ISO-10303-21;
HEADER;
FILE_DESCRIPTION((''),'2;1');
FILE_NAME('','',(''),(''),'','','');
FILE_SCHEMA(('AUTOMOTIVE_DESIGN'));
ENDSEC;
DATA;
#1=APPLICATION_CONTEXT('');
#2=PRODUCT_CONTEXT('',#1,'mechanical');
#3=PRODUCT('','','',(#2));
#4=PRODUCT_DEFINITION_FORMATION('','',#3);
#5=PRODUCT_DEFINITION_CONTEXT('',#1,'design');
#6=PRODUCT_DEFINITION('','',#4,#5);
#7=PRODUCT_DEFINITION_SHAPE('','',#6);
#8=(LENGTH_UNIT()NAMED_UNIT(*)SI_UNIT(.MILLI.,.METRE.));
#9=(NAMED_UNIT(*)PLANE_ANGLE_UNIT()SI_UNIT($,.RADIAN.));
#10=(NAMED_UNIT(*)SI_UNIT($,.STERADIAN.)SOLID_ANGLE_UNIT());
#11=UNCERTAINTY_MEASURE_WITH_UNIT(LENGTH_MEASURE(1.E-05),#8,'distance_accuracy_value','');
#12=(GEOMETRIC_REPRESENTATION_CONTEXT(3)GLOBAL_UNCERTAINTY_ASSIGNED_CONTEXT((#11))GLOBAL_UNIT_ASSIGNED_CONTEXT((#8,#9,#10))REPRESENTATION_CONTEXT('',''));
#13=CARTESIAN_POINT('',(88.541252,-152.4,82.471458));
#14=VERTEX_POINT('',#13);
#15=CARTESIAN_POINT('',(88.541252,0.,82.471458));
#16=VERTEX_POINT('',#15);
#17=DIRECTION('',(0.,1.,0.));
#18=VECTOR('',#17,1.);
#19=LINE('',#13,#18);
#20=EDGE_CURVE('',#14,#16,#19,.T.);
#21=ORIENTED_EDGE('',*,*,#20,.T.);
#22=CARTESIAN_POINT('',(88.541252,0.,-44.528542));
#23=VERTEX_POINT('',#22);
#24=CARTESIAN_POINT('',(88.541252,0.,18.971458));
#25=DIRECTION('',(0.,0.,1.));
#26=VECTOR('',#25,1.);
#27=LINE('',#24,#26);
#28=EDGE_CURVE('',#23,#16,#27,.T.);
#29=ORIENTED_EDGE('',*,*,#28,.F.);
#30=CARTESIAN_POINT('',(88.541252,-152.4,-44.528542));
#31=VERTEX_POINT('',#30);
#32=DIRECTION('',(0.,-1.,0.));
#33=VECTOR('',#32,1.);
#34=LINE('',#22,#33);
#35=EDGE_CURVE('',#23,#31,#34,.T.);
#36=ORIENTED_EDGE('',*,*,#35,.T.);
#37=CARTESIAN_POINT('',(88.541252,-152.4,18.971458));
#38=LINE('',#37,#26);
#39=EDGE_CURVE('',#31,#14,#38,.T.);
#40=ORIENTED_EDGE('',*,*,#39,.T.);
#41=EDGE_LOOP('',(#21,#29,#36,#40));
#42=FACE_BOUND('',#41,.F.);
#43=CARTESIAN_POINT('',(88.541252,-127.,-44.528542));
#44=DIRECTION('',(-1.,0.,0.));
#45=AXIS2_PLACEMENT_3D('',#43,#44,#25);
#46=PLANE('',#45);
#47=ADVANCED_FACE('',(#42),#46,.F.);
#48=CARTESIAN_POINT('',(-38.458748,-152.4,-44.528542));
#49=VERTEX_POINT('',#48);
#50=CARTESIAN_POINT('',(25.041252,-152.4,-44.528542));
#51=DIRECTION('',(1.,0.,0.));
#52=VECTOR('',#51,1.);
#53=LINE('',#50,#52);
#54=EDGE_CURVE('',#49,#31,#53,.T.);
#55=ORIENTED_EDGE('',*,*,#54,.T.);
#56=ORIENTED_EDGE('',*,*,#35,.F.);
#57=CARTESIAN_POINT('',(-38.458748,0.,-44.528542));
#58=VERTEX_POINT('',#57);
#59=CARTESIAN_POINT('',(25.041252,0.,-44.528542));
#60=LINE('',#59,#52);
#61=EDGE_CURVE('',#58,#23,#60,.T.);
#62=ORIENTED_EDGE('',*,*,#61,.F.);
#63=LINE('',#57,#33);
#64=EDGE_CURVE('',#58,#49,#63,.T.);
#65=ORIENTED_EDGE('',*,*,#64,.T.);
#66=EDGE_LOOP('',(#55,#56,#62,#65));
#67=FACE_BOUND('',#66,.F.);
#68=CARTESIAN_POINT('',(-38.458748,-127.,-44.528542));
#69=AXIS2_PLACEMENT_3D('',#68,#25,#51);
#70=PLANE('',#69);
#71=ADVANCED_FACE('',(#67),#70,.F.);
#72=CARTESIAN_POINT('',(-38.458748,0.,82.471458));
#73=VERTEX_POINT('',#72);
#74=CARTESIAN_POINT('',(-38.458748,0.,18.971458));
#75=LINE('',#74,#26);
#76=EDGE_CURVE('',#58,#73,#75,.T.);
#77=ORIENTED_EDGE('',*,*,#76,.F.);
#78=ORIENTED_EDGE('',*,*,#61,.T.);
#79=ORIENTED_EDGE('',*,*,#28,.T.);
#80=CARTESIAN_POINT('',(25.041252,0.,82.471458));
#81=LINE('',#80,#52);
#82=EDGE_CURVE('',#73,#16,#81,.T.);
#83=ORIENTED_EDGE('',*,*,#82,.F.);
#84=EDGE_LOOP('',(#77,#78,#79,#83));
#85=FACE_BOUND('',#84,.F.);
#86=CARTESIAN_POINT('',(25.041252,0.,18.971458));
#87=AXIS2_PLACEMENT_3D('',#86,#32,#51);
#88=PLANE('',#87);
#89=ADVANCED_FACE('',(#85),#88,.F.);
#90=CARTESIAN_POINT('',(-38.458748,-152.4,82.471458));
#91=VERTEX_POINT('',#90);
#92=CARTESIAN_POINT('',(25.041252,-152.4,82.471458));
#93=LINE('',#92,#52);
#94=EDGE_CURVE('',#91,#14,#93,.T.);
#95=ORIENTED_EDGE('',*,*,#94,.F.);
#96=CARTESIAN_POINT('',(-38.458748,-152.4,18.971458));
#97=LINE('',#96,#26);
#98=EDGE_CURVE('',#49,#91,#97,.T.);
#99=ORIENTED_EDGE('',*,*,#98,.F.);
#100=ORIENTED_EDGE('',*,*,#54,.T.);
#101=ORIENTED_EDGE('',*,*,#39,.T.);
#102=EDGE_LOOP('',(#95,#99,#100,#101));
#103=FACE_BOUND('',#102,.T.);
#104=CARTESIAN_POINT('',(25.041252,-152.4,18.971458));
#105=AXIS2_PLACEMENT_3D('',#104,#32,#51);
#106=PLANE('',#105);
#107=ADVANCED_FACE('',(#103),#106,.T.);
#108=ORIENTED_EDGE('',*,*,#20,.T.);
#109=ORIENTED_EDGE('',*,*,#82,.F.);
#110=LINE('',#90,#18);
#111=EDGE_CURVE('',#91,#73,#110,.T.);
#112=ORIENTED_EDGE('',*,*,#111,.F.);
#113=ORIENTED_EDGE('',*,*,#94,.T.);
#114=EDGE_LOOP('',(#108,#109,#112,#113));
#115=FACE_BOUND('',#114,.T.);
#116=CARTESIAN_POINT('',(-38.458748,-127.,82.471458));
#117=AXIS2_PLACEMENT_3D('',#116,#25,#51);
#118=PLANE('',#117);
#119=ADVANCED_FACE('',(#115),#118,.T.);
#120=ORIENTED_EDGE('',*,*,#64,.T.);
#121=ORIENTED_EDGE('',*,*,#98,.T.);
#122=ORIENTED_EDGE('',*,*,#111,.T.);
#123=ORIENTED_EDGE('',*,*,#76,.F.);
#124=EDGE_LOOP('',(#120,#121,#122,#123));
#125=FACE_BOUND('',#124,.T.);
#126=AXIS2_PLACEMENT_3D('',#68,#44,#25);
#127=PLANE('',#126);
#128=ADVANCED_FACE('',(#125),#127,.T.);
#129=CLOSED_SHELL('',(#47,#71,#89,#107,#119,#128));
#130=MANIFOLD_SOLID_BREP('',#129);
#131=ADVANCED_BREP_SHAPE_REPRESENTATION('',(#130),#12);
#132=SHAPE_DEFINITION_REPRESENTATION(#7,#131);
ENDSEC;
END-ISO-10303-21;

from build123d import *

# Parameters (mm, degrees)
F0_W     = 127
F0_H     = 127
F1_DEPTH = 25.4
F2_DEPTH = 101.6
F3_W     = 127
F3_H     = 127
F4_DEPTH = 25.4


with BuildPart() as f1:
    # F0 (on Front) → F1 (new body)
    with BuildSketch(Plane.XZ):
        with Locations((25.0412524156, 18.9714580774)):
            Rectangle(F0_W, F0_H)
    extrude(amount=F1_DEPTH)

    # F2 (add): a face of the model
    f2_faces = [f1.faces().sort_by_distance(p)[0] for p in [
        (25.0412524156, -25.4, 18.9714580774),
    ]]
    extrude(f2_faces, amount=F2_DEPTH)

    # F3 (on face) → F4 (join)
    with BuildSketch(Plane.XZ.offset(127)):
        with Locations((25.0412524156, 18.9714580774)):
            Rectangle(F3_W, F3_H)
    extrude(amount=F4_DEPTH)


solid = f1.part
